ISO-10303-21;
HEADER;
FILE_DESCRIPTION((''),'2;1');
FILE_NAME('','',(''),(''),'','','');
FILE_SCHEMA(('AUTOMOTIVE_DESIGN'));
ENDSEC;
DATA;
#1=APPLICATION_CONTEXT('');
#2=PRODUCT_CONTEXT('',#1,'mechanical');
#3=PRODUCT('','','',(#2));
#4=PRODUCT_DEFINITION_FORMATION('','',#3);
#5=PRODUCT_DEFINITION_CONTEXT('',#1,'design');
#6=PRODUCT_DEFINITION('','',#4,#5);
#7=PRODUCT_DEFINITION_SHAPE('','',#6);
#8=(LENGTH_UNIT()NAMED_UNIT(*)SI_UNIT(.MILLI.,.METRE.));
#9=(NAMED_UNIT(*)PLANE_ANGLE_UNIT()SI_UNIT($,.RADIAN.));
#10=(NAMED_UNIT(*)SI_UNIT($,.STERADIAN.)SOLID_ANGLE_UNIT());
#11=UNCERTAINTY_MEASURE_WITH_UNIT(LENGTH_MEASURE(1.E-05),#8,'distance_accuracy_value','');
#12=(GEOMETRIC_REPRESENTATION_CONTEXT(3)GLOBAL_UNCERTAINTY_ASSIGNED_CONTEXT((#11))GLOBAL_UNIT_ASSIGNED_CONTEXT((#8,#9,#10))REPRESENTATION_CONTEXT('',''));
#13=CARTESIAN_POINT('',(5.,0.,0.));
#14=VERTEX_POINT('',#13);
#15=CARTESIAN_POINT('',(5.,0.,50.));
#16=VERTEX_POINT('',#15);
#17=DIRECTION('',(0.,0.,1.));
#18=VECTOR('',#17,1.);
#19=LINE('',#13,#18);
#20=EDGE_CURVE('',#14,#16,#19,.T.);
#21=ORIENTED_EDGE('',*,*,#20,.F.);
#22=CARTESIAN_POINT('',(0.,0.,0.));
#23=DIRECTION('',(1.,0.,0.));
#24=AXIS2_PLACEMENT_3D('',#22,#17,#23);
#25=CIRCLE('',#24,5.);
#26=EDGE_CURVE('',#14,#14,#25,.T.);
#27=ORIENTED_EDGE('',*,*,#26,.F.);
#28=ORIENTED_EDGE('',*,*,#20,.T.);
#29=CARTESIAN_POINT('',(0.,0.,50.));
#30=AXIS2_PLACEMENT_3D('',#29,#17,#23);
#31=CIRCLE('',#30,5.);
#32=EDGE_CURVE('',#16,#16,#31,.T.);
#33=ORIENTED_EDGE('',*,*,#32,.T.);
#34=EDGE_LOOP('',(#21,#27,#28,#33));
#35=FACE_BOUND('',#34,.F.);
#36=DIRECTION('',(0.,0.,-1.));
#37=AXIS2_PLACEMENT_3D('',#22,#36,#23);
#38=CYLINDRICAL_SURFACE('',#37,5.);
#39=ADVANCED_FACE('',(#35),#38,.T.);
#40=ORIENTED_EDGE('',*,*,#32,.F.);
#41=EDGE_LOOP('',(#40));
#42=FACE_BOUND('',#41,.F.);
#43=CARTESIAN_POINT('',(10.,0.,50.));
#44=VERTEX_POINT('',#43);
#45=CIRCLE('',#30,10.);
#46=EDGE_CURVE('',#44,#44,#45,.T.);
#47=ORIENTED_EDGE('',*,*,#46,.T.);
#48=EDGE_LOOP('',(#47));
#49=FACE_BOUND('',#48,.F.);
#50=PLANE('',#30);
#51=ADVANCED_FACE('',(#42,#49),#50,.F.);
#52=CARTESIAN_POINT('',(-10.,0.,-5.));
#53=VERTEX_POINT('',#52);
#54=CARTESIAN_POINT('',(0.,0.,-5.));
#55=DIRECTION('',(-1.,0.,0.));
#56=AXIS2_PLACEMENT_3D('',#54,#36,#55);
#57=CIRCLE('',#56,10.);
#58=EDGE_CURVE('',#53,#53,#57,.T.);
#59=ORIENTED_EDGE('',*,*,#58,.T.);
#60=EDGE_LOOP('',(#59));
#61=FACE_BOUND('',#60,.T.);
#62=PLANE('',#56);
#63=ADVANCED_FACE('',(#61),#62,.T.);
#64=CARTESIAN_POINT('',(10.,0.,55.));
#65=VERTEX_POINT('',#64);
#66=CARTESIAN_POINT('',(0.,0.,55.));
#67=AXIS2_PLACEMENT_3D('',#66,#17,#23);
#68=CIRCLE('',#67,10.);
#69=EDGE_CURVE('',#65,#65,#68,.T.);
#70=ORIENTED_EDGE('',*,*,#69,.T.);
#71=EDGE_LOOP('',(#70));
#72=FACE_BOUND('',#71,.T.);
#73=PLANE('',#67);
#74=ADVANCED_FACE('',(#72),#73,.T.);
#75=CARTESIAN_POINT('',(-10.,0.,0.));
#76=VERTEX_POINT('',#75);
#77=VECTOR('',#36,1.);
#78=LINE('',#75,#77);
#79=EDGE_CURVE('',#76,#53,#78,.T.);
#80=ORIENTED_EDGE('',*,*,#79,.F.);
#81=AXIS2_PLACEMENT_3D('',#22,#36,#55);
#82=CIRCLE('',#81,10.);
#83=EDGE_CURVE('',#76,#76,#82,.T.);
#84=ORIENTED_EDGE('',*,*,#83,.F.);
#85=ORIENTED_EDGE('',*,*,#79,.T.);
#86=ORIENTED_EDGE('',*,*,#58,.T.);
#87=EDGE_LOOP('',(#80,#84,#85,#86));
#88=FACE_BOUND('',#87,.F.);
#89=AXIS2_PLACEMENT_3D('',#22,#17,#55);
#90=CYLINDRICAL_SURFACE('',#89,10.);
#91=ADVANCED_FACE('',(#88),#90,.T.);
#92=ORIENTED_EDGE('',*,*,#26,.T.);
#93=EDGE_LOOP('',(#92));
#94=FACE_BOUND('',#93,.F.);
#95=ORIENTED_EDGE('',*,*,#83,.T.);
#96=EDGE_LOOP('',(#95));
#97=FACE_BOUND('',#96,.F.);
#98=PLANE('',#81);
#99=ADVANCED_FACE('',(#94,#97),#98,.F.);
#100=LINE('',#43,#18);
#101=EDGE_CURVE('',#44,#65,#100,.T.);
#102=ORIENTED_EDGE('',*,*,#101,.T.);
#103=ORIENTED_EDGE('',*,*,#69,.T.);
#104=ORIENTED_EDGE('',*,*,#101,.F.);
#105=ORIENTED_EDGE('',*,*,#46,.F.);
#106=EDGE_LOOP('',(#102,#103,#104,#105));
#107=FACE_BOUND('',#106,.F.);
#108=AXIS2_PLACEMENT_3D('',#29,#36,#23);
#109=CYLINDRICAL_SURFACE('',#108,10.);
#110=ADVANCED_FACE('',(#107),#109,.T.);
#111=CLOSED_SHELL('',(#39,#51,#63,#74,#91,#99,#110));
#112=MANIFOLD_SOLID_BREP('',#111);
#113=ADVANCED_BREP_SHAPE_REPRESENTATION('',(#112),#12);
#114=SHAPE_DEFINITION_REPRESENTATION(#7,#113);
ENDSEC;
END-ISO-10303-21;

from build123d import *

# Parameters (mm, degrees)
SKETCH2_R           = 5
BOSS_EXTRUDE1_DEPTH = 50
SKETCH3_R           = 10
BOSS_EXTRUDE2_DEPTH = 5
SKETCH4_R           = 10
BOSS_EXTRUDE3_DEPTH = 5


with BuildPart() as part:
    # Sketch2 → Boss-Extrude1 (new body)
    with BuildSketch(Plane.XY):
        Circle(SKETCH2_R)
    extrude(amount=BOSS_EXTRUDE1_DEPTH)

    # Sketch3 → Boss-Extrude2 (add)
    with BuildSketch(Plane(origin=(0, 0, 0), x_dir=(-1, 0, 0), z_dir=(0, 0, -1))):
        Circle(SKETCH3_R)
    extrude(amount=BOSS_EXTRUDE2_DEPTH)

    # Sketch4 → Boss-Extrude3 (add)
    with BuildSketch(Plane.XY.offset(50)):
        Circle(SKETCH4_R)
    extrude(amount=BOSS_EXTRUDE3_DEPTH)


solid = part.part
